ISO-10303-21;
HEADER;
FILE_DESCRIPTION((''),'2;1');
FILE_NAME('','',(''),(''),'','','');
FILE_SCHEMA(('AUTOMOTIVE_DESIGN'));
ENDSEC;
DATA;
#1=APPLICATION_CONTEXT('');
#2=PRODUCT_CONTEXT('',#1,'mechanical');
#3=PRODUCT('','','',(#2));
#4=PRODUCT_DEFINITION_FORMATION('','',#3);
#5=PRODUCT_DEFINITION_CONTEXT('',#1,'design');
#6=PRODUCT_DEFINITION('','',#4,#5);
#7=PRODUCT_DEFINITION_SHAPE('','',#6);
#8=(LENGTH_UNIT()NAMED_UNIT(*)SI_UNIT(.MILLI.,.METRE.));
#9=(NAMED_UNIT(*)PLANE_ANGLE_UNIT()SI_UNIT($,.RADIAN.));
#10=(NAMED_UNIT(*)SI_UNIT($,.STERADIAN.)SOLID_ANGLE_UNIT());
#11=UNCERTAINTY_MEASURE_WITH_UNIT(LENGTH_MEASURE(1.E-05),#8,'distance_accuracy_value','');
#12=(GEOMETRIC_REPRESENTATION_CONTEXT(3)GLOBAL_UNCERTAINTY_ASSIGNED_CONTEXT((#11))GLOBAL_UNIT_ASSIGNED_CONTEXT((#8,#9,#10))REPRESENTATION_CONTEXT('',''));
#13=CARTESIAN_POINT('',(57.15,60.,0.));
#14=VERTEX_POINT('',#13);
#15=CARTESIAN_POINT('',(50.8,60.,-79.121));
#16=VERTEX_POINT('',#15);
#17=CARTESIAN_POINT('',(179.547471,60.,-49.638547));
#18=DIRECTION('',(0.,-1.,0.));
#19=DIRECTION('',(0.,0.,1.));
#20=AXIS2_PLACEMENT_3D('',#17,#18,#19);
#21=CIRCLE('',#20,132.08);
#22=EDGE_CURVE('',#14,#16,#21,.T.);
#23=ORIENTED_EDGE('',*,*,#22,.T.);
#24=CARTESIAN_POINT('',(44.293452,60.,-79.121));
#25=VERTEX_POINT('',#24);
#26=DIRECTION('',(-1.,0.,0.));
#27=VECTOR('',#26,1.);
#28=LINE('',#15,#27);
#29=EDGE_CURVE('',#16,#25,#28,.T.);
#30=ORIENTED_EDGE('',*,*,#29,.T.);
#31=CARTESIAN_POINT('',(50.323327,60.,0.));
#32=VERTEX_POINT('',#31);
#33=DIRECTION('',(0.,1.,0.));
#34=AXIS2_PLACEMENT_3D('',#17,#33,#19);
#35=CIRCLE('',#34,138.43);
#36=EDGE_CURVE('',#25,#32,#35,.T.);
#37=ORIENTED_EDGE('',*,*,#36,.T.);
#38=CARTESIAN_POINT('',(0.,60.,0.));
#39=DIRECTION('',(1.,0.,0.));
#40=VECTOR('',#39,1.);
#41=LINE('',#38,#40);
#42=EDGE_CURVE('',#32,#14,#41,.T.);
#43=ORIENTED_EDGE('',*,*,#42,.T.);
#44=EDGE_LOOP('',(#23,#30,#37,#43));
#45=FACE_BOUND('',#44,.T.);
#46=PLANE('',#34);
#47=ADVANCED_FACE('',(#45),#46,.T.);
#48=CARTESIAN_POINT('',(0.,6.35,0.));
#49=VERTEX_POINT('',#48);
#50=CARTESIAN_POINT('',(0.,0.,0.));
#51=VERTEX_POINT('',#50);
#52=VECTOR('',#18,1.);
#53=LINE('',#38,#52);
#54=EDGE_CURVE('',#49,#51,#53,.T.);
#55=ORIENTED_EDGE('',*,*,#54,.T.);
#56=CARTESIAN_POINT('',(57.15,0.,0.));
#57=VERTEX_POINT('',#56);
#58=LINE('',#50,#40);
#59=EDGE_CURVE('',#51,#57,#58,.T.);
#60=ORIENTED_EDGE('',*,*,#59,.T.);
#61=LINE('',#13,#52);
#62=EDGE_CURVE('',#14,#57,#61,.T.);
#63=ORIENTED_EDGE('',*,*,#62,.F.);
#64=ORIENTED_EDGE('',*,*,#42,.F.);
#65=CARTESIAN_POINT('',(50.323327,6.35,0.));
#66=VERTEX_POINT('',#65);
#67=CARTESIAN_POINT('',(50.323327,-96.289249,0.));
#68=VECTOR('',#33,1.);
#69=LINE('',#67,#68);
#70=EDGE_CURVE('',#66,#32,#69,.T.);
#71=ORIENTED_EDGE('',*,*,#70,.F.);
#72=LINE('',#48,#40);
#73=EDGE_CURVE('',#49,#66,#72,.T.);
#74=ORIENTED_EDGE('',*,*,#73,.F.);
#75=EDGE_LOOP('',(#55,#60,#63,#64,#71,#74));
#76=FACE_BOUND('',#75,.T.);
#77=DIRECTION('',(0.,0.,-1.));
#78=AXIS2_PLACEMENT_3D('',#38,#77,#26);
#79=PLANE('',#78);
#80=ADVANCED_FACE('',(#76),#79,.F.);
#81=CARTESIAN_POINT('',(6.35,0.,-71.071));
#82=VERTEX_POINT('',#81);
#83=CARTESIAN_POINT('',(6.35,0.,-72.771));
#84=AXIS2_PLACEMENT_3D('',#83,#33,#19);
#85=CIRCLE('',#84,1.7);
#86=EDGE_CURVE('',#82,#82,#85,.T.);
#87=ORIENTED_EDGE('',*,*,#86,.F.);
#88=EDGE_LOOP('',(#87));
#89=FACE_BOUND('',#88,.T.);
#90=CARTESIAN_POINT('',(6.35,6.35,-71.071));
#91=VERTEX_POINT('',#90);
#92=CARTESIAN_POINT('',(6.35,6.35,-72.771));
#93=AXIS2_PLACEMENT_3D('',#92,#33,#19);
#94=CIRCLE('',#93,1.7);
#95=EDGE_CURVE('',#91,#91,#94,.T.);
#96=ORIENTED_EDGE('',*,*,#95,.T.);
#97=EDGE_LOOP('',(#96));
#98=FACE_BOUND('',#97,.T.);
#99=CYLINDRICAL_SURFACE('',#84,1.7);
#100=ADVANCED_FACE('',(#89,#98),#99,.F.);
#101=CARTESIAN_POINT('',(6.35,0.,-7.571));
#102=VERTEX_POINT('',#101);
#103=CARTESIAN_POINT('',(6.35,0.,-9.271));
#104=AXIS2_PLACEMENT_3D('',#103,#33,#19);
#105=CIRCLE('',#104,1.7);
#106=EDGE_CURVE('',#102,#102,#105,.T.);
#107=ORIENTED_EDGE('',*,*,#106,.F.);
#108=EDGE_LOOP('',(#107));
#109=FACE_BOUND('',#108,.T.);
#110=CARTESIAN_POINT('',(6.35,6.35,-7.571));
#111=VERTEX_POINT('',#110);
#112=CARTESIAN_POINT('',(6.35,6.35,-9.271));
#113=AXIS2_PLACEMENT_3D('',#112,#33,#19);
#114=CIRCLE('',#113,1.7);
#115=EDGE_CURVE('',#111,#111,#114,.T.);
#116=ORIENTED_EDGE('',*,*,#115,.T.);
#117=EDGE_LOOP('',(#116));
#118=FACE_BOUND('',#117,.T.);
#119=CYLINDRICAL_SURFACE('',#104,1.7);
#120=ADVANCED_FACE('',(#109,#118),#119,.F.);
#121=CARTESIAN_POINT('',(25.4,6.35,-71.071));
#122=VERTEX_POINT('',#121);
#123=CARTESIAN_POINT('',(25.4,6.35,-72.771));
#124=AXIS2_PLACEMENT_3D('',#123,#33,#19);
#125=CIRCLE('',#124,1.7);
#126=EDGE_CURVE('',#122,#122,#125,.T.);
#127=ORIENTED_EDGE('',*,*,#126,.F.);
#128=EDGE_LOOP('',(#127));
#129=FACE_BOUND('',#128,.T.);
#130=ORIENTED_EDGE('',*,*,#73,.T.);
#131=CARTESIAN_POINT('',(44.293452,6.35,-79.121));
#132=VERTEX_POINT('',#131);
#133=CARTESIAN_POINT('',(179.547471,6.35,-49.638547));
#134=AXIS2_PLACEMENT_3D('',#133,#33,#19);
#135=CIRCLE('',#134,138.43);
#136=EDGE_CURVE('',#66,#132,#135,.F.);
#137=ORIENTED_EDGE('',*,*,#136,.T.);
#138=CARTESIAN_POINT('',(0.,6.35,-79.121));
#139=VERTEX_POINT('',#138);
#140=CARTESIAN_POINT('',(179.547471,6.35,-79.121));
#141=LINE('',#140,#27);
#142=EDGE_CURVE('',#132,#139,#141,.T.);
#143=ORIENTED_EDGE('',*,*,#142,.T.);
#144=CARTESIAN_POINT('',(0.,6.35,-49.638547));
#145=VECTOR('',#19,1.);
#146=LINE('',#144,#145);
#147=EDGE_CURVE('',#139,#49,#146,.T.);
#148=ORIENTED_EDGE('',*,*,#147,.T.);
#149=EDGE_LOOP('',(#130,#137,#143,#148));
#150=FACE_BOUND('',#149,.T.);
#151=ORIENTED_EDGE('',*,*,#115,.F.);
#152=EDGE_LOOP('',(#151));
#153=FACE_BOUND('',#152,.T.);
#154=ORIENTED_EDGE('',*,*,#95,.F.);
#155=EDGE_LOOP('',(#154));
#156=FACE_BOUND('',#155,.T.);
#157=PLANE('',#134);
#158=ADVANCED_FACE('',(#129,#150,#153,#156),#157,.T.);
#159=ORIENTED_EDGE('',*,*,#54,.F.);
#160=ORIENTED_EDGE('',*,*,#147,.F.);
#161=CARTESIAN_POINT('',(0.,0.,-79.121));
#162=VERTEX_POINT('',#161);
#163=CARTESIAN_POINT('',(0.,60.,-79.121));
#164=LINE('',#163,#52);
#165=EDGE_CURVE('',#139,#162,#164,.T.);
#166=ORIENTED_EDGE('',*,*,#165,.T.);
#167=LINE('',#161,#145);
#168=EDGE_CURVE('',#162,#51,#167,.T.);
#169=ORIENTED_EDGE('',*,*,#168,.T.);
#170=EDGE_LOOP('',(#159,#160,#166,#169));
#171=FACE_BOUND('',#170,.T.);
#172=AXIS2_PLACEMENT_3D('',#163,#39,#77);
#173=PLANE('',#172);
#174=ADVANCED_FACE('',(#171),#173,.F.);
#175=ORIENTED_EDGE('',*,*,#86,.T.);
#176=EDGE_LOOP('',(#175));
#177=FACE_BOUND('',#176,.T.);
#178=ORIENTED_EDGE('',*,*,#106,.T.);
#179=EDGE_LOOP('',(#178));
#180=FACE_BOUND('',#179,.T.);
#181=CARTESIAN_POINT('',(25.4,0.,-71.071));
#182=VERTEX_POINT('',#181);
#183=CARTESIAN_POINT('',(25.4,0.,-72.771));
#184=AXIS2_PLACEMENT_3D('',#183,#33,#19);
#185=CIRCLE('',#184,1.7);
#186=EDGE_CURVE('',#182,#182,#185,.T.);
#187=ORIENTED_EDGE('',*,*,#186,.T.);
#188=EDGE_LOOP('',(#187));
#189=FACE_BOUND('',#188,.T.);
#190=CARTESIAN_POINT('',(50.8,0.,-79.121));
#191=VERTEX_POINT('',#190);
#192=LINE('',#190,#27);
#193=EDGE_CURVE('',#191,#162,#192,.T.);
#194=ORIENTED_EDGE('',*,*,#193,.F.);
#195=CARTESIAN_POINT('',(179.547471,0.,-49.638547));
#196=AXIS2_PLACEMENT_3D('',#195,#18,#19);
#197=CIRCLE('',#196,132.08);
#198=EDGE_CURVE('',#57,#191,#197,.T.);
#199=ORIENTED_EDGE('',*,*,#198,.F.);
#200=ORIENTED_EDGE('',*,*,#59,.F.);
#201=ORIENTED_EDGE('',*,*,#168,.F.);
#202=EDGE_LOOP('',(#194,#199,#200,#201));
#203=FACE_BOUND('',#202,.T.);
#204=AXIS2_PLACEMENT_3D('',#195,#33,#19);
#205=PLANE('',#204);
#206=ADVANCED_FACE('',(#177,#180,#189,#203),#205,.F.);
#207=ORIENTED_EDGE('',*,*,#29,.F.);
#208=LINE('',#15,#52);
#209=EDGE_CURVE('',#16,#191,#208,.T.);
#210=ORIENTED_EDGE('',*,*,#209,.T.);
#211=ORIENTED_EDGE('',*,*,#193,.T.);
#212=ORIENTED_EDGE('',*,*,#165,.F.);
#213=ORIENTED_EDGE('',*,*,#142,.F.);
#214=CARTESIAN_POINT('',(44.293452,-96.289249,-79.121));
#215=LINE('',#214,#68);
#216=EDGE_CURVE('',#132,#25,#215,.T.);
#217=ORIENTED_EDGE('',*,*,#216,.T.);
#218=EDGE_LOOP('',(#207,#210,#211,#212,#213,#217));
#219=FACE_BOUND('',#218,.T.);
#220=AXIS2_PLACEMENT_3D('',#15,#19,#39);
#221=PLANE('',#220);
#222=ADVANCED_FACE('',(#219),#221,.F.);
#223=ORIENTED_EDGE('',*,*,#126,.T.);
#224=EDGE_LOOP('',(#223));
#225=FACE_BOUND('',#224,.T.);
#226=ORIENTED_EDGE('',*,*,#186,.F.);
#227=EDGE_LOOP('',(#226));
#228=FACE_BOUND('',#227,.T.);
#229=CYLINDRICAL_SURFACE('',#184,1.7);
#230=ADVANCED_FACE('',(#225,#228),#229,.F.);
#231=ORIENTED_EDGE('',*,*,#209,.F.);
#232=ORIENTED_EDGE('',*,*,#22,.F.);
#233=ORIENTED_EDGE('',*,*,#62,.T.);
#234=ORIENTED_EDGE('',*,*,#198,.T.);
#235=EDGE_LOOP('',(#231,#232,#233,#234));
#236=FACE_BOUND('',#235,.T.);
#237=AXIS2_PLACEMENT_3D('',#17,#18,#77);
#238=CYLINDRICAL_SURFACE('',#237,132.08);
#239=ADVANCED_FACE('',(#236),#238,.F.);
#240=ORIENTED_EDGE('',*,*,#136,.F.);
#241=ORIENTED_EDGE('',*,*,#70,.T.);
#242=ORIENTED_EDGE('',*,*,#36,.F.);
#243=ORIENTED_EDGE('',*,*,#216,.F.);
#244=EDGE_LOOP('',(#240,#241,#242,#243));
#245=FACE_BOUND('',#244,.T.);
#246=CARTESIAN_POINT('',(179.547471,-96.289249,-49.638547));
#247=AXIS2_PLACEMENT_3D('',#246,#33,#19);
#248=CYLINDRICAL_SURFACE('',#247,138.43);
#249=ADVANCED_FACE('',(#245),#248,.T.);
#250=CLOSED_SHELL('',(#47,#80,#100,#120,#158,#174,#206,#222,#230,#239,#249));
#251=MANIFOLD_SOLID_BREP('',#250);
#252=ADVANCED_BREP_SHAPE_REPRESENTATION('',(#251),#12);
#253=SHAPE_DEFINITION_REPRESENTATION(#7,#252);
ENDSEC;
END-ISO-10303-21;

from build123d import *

# Parameters (mm, degrees)
BOSS_EXTRUDE1_DEPTH = 59.999999888
CUT_EXTRUDE1_START  = 60
CUT_EXTRUDE1_DEPTH  = 53.65
SKETCH4_R           = 1.700000029
CUT_EXTRUDE2_DEPTH  = 7.35


with BuildPart() as part:
    # Sketch1 → Boss-Extrude1 (new body)
    with BuildSketch(Plane(origin=(0, 0, 0), x_dir=(1, 0, 0), z_dir=(0, 1, 0))):
        with BuildLine():
            Line((50.8, 79.121), (0, 79.121))
            Line((0, 79.121), (0, 0))
            Line((0, 0), (57.15, 0))
            ThreePointArc((57.15, 0), (47.890801483, 39.072201564), (50.8, 79.121))
        make_face()
    extrude(amount=BOSS_EXTRUDE1_DEPTH)

    # Sketch3 → Cut-Extrude1 (cut)
    with BuildSketch(Plane(origin=(0, 0, 0), x_dir=(1, 0, 0), z_dir=(0, 1, 0)).offset(CUT_EXTRUDE1_START)):
        with BuildLine():
            Line((51.265506183, -2.386468628), (0, 0))
            Line((0, 0), (0, 79.121))
            Line((0, 79.121), (44.293451527, 79.121))
            ThreePointArc((44.293451527, 79.121), (41.621147879, 37.840489172), (51.265506183, -2.386468628))
        make_face()
    extrude(amount=-CUT_EXTRUDE1_DEPTH, mode=Mode.SUBTRACT)

    # Sketch4 → Cut-Extrude2 (cut, through all)
    with BuildSketch(Plane(origin=(0, 6.35, 0), x_dir=(1, 0, 0), z_dir=(0, 1, 0))):
        with Locations((6.35, 72.771)):
            Circle(SKETCH4_R)
        with Locations((25.4, 72.771)):
            Circle(SKETCH4_R)
        with Locations((6.35, 9.271)):
            Circle(SKETCH4_R)
    extrude(amount=-CUT_EXTRUDE2_DEPTH, mode=Mode.SUBTRACT)


solid = part.part
